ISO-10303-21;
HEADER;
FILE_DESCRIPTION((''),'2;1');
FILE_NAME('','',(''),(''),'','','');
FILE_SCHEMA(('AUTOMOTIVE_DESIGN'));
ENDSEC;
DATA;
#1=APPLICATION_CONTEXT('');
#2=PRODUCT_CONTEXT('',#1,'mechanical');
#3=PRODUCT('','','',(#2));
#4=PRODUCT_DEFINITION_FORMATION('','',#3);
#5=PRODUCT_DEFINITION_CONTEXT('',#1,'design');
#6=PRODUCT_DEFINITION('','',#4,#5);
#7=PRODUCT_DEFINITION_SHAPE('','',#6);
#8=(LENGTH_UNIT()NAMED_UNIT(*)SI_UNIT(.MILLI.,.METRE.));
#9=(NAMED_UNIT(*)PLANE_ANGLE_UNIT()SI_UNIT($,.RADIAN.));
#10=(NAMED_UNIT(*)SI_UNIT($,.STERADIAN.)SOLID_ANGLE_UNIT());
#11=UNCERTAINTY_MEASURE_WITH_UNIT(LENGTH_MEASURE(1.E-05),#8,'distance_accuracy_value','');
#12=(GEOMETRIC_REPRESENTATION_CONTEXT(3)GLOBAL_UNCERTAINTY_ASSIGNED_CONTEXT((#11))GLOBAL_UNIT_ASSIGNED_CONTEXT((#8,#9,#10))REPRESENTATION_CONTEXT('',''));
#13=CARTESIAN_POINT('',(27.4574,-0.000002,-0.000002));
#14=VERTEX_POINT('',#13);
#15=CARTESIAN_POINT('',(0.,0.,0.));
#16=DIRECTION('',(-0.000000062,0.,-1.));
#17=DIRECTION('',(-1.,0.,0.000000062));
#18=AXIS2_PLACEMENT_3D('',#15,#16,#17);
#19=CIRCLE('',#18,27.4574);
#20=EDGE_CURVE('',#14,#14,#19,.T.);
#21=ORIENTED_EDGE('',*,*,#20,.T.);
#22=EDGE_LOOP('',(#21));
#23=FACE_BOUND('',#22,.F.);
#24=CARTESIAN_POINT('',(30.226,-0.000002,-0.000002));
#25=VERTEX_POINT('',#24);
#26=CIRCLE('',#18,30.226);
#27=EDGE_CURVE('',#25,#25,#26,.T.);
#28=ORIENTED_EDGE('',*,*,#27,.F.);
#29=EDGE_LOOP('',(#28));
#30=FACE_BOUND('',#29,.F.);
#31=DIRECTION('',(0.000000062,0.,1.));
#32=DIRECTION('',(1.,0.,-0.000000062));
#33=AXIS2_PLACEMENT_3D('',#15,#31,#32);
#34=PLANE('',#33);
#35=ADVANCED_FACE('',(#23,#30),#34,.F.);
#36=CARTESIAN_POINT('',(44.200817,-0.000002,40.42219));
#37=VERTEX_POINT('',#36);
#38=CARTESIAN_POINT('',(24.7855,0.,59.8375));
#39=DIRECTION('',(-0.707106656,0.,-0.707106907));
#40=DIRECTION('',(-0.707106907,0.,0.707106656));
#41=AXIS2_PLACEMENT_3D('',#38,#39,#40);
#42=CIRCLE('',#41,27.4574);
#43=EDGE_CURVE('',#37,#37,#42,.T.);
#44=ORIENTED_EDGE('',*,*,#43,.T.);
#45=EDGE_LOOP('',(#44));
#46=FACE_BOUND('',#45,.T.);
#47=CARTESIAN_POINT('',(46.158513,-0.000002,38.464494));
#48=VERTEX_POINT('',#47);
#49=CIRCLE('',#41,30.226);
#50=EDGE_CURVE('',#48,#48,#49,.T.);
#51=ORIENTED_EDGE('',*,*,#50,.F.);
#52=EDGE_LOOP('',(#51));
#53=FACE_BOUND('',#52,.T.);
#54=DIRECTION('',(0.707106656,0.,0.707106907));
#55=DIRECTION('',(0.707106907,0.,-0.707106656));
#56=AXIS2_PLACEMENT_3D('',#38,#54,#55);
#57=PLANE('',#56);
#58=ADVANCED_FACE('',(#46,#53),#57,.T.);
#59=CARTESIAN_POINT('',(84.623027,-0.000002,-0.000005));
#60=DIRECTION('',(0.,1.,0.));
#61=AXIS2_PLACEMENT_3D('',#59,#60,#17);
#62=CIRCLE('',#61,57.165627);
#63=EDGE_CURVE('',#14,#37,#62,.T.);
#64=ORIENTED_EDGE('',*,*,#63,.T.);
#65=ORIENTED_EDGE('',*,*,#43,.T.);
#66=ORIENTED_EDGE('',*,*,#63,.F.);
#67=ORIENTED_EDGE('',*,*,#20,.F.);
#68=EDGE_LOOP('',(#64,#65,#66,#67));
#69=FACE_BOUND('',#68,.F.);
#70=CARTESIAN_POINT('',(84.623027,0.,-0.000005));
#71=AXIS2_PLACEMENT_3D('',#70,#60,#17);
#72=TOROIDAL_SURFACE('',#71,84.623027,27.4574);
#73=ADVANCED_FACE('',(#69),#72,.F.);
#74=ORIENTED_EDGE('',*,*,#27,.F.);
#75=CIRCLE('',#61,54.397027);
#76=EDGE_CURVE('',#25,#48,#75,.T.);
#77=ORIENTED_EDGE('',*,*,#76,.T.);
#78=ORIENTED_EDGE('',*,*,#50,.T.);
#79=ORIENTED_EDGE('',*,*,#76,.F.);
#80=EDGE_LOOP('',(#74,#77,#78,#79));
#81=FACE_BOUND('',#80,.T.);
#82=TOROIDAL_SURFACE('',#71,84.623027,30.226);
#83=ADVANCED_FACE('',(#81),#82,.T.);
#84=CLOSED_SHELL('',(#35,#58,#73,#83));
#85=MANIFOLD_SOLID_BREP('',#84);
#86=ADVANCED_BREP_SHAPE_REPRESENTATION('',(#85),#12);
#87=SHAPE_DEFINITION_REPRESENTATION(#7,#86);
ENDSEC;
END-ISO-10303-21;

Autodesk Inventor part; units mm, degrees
ref_plane "YZ Plane" through (0, 0, 0) normal (1, 0, 0) x (0, 1, 0)
ref_plane "XZ Plane" through (0, 0, 0) normal (0, 1, 0) x (-1, 0, 0)
ref_plane "XY Plane" through (0, 0, 0) normal (0, 0, 1) x (1, 0, 0)
sketch "Sketch1" plane through (0, 0, 0) normal (0, 0, 1) x (1, 0, 0)
  circle A0 centre (0, 0) radius 27.4574
  circle A1 centre (0, 0) radius 30.226
  dimension "d0" = 54.9148
  dimension "d1" = 60.452
sketch "Sketch2" plane through (0, 0, 0) normal (0, 1, 0) x (-1, 0, 0)
  line L0 (0, 0) -> (0, 35.052) construction
  line L1 (0, 35.052) -> (-24.7855, 59.8375) construction
  arc A0 (0, 0) -> (-24.7855, 59.8375) centre (-84.623, 0) ccw
  dimension "d2" = 35.052
  dimension "d3" = 45
  dimension "d4" = 35.052
sweep "Sweep1" add profiles "Sketch1" path "Sketch2"
equation "\"d0\" = -2 * T + OD"
equation "\"d1\" = OD"
equation "\"d2\" = B"
equation "\"d4\" = B"
equation "\"OD\" = 60.452"
equation "\"B\" = 35.052"
equation "\"T\" = 2.7686"
equation "\"Size_Designation\" = 1.2345"
properties part number "ASME B16.9 Long Radius 45 Deg Elbow 2 x 0.109" material "Wrought Steel"
